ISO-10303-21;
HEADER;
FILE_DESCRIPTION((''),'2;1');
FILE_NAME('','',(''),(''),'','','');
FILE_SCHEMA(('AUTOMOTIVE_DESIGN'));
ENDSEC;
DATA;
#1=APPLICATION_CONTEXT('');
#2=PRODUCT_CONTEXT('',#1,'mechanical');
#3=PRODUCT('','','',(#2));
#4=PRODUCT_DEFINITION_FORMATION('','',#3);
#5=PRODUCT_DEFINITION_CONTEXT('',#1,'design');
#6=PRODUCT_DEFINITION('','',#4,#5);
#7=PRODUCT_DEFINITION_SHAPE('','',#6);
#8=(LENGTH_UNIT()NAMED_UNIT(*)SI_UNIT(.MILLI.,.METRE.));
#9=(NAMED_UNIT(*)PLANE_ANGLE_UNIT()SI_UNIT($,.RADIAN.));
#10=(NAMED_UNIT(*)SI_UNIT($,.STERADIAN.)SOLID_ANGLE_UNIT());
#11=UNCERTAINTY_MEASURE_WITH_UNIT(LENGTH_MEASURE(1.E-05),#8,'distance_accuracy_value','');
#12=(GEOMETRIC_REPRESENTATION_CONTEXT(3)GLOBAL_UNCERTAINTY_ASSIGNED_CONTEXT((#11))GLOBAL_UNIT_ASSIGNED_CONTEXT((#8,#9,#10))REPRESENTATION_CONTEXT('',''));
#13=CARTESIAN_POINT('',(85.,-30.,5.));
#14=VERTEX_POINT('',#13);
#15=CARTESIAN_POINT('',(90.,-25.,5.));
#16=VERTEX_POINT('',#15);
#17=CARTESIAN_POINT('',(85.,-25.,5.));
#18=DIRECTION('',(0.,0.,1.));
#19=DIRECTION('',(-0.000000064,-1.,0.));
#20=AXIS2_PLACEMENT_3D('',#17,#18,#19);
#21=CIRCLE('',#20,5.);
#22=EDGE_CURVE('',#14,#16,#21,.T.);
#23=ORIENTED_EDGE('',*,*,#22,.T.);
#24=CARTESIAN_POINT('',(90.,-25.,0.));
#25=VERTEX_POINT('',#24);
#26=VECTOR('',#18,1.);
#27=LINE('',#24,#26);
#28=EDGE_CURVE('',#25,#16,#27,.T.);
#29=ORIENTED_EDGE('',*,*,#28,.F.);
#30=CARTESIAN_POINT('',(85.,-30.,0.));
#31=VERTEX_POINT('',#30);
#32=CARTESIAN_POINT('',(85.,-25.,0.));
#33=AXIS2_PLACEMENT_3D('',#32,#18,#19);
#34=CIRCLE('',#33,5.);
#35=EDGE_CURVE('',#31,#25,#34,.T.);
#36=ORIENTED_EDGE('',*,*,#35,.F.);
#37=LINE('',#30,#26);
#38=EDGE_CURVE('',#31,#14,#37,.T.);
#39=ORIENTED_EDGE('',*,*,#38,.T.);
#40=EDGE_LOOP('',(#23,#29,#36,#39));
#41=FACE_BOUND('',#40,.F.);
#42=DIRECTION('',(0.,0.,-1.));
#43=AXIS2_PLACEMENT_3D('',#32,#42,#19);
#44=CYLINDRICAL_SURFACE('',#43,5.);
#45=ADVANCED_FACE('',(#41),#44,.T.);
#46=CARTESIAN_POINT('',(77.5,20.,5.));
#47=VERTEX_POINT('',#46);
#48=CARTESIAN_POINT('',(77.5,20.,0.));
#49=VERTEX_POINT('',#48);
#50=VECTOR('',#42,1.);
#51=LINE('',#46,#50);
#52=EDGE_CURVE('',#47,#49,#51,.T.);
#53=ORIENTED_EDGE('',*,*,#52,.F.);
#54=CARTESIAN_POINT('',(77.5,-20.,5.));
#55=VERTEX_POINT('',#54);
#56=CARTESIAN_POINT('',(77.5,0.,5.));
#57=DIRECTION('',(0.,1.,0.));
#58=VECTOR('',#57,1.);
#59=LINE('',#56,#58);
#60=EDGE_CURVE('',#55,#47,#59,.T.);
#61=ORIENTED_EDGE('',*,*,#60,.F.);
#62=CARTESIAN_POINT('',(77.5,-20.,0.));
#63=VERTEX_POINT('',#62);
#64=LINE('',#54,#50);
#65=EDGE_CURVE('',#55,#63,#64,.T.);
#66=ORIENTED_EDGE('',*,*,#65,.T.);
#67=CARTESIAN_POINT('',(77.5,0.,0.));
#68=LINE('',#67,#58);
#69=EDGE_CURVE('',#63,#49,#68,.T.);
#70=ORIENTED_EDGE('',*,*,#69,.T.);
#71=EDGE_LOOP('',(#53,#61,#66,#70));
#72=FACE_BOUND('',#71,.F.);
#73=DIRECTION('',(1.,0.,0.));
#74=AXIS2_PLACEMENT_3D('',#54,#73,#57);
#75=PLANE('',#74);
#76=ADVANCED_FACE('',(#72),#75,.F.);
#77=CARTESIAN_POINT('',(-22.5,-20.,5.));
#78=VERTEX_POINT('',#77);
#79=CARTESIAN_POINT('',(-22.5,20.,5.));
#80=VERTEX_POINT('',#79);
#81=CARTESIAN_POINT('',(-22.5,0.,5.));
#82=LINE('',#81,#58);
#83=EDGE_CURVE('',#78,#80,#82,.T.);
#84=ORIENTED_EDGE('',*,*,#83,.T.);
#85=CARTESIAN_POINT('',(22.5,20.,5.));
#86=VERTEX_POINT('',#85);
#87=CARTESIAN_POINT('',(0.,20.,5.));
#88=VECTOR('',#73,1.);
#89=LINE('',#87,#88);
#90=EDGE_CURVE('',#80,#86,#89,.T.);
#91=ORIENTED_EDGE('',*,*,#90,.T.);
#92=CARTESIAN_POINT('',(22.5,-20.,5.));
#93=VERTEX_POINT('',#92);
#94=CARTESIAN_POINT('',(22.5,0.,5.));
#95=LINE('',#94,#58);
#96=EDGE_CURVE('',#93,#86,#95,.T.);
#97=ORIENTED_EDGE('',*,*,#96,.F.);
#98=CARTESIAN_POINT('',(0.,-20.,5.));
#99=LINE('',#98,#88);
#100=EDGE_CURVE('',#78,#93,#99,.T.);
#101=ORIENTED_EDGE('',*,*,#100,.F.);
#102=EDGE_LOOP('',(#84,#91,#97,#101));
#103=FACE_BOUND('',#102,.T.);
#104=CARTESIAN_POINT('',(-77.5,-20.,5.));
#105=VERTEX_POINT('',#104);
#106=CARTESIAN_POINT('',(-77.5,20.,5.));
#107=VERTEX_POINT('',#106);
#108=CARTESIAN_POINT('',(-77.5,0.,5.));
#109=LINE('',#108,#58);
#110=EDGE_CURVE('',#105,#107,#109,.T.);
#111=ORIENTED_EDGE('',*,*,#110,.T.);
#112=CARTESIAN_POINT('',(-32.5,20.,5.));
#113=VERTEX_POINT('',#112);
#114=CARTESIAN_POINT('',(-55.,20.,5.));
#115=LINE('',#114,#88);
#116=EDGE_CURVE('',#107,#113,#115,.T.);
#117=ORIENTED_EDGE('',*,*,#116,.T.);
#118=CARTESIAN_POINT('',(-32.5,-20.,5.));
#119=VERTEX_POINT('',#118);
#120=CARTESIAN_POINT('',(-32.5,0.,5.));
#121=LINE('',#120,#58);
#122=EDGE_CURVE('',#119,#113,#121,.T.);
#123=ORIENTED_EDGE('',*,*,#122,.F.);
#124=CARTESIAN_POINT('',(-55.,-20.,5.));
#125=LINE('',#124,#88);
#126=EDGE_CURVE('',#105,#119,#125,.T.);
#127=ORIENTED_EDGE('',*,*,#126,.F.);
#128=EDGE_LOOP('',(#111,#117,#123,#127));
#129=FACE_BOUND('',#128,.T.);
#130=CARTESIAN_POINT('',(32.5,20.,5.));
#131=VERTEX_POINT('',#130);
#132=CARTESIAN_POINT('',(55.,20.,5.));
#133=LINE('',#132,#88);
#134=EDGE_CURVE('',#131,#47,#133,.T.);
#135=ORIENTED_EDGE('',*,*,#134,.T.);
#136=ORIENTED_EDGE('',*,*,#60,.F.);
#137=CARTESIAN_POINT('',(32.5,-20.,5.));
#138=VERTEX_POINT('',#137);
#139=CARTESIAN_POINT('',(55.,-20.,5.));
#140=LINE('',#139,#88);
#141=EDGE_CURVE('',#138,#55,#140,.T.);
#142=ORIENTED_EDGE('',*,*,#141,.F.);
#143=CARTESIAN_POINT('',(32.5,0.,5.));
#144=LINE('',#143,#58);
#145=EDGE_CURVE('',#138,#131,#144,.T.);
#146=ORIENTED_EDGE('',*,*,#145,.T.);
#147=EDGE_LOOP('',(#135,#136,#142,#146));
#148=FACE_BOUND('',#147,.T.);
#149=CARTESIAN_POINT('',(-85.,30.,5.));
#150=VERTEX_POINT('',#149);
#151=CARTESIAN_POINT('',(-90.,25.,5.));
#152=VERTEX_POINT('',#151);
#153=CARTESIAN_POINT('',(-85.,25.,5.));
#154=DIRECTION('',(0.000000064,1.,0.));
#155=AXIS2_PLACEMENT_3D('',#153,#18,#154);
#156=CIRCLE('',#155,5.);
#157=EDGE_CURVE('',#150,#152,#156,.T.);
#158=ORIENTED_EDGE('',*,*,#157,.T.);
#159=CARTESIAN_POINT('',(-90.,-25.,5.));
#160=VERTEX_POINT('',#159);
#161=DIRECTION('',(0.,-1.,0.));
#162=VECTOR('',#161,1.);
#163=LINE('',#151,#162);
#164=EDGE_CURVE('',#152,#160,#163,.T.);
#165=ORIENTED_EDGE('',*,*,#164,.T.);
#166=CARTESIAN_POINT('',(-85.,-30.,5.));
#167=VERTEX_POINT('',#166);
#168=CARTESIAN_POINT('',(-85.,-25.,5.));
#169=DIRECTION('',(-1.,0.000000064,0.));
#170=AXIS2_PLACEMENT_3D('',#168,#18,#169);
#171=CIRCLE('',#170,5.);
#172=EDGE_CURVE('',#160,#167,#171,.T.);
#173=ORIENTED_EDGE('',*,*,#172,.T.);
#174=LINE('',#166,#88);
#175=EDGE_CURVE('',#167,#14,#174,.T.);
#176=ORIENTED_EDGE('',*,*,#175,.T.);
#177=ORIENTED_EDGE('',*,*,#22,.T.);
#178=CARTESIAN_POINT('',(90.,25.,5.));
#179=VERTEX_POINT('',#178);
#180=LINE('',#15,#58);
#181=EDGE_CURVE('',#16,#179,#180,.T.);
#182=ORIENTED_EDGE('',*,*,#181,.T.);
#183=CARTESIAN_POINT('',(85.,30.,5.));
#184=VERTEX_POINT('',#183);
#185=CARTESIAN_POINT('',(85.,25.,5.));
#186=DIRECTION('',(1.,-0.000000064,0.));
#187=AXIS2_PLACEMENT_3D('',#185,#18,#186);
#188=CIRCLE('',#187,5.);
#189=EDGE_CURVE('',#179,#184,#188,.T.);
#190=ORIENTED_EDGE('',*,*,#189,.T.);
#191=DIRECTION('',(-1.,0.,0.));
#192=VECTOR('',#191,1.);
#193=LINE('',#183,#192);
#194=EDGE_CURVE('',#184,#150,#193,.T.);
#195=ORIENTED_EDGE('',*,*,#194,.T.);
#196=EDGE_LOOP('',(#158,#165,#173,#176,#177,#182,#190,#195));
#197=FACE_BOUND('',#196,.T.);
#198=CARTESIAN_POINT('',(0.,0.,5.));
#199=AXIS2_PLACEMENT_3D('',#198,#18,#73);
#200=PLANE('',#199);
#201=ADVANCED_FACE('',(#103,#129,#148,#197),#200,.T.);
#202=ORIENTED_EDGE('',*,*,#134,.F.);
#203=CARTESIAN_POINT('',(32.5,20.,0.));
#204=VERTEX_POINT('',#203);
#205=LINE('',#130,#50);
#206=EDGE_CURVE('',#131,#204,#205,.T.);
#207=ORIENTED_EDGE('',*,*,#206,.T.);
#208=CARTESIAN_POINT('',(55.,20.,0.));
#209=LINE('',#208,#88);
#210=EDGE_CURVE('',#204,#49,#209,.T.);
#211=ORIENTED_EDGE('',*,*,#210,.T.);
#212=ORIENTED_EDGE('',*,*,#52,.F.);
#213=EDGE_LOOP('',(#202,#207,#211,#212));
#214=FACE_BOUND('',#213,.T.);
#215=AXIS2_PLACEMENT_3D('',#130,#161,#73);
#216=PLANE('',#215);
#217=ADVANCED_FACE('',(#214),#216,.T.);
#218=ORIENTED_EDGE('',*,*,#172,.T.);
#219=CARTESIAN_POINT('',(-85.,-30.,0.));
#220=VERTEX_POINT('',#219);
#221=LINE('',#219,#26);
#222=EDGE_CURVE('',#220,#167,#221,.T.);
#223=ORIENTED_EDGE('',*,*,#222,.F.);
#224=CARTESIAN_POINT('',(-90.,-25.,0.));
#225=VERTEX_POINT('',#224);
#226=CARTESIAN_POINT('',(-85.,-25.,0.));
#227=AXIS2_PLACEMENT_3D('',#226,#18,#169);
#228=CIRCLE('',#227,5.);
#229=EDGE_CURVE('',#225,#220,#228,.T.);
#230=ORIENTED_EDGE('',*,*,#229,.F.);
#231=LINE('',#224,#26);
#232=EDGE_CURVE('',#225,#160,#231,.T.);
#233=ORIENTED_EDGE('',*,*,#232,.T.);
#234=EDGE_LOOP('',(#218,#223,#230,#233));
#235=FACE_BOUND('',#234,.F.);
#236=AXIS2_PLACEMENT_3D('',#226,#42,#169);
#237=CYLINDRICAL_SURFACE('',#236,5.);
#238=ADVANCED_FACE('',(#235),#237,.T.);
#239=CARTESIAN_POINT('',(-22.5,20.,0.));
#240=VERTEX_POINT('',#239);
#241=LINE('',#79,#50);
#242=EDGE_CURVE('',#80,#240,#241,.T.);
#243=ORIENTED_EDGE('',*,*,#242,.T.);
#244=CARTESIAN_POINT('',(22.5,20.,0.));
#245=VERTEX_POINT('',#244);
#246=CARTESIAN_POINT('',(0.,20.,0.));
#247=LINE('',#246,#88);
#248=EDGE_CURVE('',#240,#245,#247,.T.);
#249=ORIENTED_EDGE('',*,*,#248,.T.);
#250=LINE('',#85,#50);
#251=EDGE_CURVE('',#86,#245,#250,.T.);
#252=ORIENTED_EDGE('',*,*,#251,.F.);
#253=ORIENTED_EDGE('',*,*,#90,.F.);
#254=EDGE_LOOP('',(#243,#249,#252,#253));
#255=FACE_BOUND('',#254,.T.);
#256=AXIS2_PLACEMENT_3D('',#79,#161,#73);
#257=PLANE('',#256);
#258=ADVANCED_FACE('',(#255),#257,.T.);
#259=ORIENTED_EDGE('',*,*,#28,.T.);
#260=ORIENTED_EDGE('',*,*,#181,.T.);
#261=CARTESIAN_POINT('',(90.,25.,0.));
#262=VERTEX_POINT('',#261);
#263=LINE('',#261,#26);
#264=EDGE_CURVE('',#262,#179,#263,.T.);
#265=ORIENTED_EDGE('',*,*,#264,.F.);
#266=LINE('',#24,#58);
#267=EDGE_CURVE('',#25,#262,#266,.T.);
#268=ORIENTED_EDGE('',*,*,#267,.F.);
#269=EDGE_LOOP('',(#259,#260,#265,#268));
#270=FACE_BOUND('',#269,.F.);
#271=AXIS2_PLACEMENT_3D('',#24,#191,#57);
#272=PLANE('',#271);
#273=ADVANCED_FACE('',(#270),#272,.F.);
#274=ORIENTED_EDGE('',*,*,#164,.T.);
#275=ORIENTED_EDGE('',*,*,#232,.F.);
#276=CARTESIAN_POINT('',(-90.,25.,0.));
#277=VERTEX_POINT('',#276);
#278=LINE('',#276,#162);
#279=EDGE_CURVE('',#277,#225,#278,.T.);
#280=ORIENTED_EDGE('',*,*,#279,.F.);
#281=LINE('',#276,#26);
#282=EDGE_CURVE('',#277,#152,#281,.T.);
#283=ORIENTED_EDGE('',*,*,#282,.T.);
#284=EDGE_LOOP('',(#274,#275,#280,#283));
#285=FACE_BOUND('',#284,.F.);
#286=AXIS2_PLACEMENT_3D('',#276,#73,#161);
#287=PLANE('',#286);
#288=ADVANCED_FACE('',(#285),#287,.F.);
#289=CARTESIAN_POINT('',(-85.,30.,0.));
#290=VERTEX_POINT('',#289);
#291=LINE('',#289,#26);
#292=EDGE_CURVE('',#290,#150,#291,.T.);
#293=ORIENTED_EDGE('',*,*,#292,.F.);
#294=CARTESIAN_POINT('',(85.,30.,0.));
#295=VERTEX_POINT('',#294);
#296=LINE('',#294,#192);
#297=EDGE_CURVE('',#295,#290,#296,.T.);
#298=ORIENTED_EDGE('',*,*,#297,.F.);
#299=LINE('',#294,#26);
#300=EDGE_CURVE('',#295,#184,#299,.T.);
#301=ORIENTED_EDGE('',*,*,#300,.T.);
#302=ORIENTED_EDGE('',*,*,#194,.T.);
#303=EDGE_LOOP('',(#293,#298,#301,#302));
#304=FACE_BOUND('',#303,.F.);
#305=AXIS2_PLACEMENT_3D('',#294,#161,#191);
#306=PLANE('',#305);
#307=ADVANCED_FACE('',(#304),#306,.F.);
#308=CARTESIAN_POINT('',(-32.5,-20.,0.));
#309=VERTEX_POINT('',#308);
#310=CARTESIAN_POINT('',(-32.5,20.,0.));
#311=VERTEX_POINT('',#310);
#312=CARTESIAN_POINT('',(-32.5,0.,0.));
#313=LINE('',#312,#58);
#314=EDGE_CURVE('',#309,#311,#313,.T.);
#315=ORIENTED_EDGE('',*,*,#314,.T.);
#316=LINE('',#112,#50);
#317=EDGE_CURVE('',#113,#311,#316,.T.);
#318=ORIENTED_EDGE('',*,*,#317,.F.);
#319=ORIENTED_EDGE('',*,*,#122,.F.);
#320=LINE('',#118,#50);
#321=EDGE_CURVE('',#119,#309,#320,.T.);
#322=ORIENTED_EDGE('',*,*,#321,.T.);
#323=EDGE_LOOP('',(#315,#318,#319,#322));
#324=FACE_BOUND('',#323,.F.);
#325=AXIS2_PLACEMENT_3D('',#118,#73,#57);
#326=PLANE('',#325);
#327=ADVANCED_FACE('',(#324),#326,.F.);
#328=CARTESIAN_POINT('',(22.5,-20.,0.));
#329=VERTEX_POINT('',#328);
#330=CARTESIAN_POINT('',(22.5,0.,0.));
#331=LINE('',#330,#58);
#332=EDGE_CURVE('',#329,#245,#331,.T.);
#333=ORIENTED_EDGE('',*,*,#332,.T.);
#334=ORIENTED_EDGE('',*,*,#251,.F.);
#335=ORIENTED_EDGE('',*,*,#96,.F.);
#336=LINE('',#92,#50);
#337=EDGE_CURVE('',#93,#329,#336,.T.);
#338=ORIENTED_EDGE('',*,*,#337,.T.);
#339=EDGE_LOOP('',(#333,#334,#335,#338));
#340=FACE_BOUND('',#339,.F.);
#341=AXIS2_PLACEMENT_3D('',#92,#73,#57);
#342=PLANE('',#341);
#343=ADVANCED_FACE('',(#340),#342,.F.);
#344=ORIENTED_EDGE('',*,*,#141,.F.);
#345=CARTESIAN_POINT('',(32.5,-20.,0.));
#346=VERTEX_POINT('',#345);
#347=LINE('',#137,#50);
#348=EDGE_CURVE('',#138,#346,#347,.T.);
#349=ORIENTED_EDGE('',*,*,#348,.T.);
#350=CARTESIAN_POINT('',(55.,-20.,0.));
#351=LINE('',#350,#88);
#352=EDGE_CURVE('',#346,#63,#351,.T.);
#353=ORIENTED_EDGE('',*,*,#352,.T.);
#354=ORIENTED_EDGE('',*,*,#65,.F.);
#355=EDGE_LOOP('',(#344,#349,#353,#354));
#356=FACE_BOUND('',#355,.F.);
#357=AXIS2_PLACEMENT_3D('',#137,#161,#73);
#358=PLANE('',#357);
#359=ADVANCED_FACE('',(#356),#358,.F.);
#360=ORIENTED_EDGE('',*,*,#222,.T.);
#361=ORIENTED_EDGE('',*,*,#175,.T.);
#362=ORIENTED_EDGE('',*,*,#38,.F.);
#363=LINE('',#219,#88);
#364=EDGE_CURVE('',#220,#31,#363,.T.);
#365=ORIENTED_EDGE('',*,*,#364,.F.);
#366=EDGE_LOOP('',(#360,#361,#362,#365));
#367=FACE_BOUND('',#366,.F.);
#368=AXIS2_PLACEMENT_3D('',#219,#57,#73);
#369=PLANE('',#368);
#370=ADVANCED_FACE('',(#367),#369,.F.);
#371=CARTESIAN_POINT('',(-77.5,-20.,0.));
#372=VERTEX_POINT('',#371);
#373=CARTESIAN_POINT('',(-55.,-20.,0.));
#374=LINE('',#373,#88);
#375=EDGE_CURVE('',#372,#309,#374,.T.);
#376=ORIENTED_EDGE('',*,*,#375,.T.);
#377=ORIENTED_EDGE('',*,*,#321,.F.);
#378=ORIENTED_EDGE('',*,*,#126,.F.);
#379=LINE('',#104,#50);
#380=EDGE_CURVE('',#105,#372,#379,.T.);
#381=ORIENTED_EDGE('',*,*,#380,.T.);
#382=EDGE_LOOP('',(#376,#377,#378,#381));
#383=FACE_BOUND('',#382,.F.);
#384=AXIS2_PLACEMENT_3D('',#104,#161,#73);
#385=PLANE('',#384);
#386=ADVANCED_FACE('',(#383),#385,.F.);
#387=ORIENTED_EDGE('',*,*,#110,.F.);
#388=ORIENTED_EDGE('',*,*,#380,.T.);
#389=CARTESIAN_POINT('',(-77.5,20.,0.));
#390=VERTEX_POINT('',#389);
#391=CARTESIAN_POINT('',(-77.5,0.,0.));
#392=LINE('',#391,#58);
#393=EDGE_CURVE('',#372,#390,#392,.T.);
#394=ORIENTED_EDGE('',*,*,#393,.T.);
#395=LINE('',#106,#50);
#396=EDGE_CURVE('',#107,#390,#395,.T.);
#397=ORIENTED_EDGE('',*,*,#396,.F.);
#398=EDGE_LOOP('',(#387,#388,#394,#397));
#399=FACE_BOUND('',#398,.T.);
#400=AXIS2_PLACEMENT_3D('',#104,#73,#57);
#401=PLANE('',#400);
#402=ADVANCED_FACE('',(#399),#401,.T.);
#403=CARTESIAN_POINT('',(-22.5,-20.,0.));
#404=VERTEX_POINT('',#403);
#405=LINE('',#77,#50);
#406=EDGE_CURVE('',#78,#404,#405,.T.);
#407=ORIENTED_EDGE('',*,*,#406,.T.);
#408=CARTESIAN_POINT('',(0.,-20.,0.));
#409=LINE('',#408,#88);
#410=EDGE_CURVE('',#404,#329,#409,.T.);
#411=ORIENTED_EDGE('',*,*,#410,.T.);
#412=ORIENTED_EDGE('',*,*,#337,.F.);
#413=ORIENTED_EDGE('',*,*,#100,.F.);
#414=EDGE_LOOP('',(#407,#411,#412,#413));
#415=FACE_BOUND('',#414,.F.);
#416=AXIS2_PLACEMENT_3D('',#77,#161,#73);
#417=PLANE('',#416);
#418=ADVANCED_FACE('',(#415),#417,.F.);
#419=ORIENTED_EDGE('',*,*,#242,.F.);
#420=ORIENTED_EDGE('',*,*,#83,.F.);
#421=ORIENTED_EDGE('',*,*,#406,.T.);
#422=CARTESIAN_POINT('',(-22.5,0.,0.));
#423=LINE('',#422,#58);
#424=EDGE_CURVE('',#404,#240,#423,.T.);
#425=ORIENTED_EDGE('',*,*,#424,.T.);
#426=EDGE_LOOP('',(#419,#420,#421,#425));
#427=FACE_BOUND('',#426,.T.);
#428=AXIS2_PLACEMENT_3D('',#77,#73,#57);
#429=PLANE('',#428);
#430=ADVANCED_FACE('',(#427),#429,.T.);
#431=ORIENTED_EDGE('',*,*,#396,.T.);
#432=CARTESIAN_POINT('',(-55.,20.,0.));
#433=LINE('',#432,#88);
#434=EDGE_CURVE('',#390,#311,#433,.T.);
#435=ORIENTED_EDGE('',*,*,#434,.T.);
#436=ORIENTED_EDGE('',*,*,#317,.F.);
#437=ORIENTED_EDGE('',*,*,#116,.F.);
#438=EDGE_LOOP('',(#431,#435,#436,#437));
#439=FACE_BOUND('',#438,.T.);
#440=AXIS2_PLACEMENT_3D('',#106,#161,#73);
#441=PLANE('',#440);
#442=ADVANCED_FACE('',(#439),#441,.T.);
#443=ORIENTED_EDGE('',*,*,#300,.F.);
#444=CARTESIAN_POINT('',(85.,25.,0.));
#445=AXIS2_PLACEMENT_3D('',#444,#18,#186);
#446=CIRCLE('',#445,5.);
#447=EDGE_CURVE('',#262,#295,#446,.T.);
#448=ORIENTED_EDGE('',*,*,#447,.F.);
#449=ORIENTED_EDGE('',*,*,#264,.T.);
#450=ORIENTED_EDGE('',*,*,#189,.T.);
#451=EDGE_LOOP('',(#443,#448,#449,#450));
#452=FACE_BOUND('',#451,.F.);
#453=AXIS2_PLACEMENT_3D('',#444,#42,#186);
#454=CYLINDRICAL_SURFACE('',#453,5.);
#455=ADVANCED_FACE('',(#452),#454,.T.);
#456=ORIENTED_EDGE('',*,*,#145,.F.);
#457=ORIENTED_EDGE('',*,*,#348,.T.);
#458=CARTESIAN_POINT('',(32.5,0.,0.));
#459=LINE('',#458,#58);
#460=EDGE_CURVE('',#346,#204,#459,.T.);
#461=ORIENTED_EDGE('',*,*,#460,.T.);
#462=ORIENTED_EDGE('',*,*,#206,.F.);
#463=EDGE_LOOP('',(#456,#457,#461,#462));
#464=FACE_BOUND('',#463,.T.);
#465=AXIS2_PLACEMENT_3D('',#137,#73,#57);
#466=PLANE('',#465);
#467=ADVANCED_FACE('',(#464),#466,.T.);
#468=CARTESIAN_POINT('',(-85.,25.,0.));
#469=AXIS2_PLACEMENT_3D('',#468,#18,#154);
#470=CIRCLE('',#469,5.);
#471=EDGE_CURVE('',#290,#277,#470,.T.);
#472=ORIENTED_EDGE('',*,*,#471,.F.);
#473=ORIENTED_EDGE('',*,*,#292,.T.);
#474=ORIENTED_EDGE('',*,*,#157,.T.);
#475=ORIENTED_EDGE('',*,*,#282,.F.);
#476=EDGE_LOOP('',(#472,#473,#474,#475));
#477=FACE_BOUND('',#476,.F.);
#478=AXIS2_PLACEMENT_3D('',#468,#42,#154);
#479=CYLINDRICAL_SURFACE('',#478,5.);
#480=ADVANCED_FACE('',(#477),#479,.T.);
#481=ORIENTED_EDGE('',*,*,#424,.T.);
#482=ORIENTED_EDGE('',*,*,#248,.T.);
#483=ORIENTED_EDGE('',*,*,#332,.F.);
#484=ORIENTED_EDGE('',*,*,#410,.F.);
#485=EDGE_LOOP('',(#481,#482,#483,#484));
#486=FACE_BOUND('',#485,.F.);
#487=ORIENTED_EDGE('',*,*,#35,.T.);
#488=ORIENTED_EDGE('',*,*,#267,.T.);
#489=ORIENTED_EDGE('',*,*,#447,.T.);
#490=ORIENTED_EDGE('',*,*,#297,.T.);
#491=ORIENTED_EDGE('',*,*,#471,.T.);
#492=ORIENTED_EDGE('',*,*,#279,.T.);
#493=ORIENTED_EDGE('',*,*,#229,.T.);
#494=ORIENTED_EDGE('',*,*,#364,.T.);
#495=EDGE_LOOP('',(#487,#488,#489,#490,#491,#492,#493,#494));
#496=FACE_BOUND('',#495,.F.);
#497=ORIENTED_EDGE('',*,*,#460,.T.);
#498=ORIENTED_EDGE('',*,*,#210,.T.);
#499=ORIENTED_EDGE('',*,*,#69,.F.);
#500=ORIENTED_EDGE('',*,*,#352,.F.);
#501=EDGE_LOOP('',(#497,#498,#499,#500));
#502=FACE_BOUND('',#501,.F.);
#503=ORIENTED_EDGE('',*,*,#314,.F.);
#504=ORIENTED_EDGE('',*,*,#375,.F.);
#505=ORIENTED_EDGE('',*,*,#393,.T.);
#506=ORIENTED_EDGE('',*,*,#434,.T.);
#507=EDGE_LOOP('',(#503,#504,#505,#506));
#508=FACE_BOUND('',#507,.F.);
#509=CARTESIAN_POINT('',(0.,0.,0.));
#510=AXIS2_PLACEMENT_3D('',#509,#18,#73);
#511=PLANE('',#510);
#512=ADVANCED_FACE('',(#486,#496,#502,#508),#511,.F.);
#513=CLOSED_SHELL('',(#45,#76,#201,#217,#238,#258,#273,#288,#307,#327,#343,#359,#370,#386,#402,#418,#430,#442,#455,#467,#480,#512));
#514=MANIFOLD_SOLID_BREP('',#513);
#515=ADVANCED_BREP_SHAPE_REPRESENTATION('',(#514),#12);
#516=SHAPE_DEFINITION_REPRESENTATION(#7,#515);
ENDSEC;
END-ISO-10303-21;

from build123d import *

# Parameters (mm, degrees)
F1_DEPTH = 5
F2_W     = 45
F2_H     = 40
F3_DEPTH = 5


with BuildPart() as f1:
    # F0 (on Top) → F1 (new body)
    with BuildSketch(Plane.XY):
        with BuildLine():
            Line((-85, -30), (85, -30))
            ThreePointArc((85, -30), (88.535534, -28.535534), (90, -25))
            Line((90, -25), (90, 25))
            ThreePointArc((90, 25), (88.535534, 28.535534), (85, 30))
            Line((85, 30), (-85, 30))
            ThreePointArc((-85, 30), (-88.535534, 28.535534), (-90, 25))
            Line((-90, 25), (-90, -25))
            ThreePointArc((-90, -25), (-88.535534, -28.535534), (-85, -30))
        make_face()
    extrude(amount=F1_DEPTH)

    # F2 (on face) → F3 (cut)
    with BuildSketch(Plane.XY.offset(5)):
        Rectangle(F2_W, F2_H)
        with Locations((55, 0)):
            Rectangle(F2_W, F2_H)
        with Locations((-55, 0)):
            Rectangle(F2_W, F2_H)
    extrude(amount=-F3_DEPTH, mode=Mode.SUBTRACT)


solid = f1.part
